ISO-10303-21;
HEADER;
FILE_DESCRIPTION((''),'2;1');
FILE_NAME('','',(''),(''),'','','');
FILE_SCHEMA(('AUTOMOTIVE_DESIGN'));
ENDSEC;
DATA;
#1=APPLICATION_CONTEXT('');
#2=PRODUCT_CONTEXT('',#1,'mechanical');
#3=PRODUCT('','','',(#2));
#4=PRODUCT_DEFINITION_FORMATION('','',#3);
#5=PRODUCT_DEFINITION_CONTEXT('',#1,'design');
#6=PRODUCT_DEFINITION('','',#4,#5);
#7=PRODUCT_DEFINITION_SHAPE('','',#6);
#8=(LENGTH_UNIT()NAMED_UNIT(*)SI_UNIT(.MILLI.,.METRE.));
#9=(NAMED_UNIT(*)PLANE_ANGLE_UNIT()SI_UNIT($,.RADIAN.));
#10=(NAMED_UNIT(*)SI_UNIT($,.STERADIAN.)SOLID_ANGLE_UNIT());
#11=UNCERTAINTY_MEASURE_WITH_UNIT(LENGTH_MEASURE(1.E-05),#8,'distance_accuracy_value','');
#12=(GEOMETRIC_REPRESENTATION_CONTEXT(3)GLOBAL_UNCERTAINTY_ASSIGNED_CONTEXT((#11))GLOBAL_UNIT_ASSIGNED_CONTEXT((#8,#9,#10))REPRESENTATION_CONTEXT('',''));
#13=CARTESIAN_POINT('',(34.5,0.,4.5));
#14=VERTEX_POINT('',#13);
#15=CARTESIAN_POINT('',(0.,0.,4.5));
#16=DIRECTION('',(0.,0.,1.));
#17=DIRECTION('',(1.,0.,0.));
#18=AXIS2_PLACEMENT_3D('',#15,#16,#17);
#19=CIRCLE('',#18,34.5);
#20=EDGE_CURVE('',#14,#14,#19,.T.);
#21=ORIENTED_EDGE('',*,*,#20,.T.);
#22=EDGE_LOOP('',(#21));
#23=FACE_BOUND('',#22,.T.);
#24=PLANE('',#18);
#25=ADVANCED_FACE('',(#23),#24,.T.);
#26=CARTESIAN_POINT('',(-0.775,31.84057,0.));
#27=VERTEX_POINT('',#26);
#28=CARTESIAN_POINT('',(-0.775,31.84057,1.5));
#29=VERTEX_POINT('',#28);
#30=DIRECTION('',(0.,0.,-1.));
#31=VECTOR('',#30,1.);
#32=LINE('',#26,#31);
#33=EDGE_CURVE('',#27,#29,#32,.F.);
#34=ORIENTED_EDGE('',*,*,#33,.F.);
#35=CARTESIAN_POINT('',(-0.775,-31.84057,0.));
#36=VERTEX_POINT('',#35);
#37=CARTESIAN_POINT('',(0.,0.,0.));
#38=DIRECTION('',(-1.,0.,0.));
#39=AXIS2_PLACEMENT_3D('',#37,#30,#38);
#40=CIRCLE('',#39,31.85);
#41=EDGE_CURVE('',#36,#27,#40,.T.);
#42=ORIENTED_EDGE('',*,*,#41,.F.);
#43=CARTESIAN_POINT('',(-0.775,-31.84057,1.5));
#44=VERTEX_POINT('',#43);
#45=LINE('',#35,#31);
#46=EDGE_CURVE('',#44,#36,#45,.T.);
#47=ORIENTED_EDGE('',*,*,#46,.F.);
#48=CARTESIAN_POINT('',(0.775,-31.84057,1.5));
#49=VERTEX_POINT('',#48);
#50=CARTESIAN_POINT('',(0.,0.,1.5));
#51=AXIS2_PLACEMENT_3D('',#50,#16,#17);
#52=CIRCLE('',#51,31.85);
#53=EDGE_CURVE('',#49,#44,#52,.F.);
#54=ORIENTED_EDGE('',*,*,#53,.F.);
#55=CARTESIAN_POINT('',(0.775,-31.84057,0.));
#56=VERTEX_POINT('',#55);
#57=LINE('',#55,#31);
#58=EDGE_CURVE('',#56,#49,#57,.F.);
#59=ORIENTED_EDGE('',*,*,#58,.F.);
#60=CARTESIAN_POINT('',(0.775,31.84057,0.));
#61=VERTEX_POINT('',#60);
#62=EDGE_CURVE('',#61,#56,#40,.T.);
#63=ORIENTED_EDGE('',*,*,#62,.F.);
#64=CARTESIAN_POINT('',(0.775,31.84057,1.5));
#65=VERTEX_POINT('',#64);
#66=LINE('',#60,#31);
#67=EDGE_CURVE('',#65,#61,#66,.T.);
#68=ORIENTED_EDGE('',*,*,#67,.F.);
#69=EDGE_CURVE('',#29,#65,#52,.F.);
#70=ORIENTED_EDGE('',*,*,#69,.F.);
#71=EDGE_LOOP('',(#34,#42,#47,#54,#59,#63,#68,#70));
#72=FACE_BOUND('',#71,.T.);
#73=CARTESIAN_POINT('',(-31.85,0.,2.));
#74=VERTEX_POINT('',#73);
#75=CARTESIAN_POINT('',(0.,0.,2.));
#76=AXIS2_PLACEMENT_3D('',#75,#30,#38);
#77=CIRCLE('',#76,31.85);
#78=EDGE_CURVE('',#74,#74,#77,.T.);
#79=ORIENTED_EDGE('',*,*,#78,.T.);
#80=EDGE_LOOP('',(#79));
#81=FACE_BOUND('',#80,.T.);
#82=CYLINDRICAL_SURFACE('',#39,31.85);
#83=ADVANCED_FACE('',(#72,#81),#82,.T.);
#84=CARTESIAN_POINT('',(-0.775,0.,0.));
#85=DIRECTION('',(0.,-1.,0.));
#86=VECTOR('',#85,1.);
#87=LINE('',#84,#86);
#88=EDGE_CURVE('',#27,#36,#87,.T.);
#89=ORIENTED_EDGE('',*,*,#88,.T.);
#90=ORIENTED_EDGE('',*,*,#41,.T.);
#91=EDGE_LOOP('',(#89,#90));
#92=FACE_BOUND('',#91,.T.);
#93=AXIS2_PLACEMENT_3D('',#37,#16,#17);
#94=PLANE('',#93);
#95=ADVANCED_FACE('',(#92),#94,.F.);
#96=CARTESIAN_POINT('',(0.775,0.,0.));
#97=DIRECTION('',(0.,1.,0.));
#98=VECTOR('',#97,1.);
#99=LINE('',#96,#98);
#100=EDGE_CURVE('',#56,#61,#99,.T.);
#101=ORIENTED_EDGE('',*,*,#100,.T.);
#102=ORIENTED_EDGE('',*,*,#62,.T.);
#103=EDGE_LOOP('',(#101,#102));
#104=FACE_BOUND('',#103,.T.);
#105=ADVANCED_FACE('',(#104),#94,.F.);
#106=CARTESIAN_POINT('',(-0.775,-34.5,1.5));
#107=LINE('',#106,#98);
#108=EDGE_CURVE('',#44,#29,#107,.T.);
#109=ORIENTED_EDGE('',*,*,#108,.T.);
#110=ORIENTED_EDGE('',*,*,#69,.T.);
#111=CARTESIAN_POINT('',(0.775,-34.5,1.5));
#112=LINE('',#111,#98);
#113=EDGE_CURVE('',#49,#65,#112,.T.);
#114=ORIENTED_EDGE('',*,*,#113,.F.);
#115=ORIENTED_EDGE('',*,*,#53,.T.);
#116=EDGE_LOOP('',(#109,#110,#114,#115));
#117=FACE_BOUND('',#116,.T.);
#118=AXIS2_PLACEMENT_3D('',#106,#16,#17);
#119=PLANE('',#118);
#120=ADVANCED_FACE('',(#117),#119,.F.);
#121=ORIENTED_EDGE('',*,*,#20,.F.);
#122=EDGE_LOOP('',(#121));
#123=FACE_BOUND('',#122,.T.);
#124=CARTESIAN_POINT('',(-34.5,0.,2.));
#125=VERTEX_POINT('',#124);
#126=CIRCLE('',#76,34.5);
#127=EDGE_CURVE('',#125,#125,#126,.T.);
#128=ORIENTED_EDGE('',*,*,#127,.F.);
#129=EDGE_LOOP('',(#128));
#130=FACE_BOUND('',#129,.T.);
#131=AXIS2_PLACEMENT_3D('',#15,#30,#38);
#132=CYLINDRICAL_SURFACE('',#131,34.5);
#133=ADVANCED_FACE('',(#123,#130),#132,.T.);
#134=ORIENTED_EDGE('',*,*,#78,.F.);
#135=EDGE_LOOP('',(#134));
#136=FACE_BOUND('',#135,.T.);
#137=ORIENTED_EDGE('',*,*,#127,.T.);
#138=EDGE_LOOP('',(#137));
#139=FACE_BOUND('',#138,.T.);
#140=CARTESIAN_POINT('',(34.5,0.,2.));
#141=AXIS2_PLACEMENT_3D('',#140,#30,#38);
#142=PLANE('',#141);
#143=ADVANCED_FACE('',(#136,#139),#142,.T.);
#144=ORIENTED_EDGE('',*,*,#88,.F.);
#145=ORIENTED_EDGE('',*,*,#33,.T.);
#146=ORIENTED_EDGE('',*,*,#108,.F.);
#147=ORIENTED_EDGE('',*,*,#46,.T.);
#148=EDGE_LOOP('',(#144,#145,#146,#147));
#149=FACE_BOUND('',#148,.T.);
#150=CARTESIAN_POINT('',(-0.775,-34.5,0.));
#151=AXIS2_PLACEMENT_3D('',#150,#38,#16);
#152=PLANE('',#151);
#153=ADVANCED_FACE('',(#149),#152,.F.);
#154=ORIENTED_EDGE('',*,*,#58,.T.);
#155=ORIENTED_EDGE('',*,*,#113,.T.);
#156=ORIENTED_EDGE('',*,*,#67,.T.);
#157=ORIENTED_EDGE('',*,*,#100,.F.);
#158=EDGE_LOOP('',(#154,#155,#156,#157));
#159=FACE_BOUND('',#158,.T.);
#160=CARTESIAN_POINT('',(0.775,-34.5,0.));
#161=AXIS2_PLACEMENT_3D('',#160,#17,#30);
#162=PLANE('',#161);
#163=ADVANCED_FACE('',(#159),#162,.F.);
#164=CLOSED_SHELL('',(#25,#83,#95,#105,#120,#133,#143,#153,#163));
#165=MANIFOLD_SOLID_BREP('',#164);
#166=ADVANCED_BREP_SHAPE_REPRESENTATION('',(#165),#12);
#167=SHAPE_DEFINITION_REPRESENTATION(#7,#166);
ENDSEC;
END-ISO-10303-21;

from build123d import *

# Parameters (mm, degrees)
SKETCH1_R               = 34.5
BOSS_EXTRUDE1_DEPTH     = 4.5
SKETCH2_W               = 2.65
SKETCH2_H               = 2
CUT_EXTRUDE1_DEPTH      = 49.997448913
CUT_EXTRUDE1_DEPTH_BACK = 49.997448913
SKETCH4_W               = 1.55
SKETCH4_H               = 1.5


with BuildPart() as part:
    # Sketch1 → Boss-Extrude1 (new body)
    with BuildSketch(Plane.XY):
        Circle(SKETCH1_R)
    extrude(amount=BOSS_EXTRUDE1_DEPTH)

    # Sketch2 → Cut-Revolve1 (revolve, cut)
    with BuildSketch(Plane(origin=(0, 0, 0), x_dir=(1, 0, 0), z_dir=(0, 1, 0)), mode=Mode.PRIVATE) as cut_revolve1_sk:
        with Locations((33.175, -1)):
            Rectangle(SKETCH2_W, SKETCH2_H)
    revolve(cut_revolve1_sk.sketch.rotate(Axis((0, 0, 0), (0, 0, 1)), 180), axis=Axis((0, 0, 0), (0, 0, 1)), mode=Mode.SUBTRACT)

    # Sketch4 → Cut-Extrude1 (cut, two sides: drawn at the far end of the back side and taken through both)
    with BuildSketch(Plane(origin=(0, 0, 0), x_dir=(1, 0, 0), z_dir=(0, 1, 0)).offset(-CUT_EXTRUDE1_DEPTH_BACK)):
        with Locations((0, -0.75)):
            Rectangle(SKETCH4_W, SKETCH4_H)
    extrude(amount=CUT_EXTRUDE1_DEPTH + CUT_EXTRUDE1_DEPTH_BACK, mode=Mode.SUBTRACT)


solid = part.part
